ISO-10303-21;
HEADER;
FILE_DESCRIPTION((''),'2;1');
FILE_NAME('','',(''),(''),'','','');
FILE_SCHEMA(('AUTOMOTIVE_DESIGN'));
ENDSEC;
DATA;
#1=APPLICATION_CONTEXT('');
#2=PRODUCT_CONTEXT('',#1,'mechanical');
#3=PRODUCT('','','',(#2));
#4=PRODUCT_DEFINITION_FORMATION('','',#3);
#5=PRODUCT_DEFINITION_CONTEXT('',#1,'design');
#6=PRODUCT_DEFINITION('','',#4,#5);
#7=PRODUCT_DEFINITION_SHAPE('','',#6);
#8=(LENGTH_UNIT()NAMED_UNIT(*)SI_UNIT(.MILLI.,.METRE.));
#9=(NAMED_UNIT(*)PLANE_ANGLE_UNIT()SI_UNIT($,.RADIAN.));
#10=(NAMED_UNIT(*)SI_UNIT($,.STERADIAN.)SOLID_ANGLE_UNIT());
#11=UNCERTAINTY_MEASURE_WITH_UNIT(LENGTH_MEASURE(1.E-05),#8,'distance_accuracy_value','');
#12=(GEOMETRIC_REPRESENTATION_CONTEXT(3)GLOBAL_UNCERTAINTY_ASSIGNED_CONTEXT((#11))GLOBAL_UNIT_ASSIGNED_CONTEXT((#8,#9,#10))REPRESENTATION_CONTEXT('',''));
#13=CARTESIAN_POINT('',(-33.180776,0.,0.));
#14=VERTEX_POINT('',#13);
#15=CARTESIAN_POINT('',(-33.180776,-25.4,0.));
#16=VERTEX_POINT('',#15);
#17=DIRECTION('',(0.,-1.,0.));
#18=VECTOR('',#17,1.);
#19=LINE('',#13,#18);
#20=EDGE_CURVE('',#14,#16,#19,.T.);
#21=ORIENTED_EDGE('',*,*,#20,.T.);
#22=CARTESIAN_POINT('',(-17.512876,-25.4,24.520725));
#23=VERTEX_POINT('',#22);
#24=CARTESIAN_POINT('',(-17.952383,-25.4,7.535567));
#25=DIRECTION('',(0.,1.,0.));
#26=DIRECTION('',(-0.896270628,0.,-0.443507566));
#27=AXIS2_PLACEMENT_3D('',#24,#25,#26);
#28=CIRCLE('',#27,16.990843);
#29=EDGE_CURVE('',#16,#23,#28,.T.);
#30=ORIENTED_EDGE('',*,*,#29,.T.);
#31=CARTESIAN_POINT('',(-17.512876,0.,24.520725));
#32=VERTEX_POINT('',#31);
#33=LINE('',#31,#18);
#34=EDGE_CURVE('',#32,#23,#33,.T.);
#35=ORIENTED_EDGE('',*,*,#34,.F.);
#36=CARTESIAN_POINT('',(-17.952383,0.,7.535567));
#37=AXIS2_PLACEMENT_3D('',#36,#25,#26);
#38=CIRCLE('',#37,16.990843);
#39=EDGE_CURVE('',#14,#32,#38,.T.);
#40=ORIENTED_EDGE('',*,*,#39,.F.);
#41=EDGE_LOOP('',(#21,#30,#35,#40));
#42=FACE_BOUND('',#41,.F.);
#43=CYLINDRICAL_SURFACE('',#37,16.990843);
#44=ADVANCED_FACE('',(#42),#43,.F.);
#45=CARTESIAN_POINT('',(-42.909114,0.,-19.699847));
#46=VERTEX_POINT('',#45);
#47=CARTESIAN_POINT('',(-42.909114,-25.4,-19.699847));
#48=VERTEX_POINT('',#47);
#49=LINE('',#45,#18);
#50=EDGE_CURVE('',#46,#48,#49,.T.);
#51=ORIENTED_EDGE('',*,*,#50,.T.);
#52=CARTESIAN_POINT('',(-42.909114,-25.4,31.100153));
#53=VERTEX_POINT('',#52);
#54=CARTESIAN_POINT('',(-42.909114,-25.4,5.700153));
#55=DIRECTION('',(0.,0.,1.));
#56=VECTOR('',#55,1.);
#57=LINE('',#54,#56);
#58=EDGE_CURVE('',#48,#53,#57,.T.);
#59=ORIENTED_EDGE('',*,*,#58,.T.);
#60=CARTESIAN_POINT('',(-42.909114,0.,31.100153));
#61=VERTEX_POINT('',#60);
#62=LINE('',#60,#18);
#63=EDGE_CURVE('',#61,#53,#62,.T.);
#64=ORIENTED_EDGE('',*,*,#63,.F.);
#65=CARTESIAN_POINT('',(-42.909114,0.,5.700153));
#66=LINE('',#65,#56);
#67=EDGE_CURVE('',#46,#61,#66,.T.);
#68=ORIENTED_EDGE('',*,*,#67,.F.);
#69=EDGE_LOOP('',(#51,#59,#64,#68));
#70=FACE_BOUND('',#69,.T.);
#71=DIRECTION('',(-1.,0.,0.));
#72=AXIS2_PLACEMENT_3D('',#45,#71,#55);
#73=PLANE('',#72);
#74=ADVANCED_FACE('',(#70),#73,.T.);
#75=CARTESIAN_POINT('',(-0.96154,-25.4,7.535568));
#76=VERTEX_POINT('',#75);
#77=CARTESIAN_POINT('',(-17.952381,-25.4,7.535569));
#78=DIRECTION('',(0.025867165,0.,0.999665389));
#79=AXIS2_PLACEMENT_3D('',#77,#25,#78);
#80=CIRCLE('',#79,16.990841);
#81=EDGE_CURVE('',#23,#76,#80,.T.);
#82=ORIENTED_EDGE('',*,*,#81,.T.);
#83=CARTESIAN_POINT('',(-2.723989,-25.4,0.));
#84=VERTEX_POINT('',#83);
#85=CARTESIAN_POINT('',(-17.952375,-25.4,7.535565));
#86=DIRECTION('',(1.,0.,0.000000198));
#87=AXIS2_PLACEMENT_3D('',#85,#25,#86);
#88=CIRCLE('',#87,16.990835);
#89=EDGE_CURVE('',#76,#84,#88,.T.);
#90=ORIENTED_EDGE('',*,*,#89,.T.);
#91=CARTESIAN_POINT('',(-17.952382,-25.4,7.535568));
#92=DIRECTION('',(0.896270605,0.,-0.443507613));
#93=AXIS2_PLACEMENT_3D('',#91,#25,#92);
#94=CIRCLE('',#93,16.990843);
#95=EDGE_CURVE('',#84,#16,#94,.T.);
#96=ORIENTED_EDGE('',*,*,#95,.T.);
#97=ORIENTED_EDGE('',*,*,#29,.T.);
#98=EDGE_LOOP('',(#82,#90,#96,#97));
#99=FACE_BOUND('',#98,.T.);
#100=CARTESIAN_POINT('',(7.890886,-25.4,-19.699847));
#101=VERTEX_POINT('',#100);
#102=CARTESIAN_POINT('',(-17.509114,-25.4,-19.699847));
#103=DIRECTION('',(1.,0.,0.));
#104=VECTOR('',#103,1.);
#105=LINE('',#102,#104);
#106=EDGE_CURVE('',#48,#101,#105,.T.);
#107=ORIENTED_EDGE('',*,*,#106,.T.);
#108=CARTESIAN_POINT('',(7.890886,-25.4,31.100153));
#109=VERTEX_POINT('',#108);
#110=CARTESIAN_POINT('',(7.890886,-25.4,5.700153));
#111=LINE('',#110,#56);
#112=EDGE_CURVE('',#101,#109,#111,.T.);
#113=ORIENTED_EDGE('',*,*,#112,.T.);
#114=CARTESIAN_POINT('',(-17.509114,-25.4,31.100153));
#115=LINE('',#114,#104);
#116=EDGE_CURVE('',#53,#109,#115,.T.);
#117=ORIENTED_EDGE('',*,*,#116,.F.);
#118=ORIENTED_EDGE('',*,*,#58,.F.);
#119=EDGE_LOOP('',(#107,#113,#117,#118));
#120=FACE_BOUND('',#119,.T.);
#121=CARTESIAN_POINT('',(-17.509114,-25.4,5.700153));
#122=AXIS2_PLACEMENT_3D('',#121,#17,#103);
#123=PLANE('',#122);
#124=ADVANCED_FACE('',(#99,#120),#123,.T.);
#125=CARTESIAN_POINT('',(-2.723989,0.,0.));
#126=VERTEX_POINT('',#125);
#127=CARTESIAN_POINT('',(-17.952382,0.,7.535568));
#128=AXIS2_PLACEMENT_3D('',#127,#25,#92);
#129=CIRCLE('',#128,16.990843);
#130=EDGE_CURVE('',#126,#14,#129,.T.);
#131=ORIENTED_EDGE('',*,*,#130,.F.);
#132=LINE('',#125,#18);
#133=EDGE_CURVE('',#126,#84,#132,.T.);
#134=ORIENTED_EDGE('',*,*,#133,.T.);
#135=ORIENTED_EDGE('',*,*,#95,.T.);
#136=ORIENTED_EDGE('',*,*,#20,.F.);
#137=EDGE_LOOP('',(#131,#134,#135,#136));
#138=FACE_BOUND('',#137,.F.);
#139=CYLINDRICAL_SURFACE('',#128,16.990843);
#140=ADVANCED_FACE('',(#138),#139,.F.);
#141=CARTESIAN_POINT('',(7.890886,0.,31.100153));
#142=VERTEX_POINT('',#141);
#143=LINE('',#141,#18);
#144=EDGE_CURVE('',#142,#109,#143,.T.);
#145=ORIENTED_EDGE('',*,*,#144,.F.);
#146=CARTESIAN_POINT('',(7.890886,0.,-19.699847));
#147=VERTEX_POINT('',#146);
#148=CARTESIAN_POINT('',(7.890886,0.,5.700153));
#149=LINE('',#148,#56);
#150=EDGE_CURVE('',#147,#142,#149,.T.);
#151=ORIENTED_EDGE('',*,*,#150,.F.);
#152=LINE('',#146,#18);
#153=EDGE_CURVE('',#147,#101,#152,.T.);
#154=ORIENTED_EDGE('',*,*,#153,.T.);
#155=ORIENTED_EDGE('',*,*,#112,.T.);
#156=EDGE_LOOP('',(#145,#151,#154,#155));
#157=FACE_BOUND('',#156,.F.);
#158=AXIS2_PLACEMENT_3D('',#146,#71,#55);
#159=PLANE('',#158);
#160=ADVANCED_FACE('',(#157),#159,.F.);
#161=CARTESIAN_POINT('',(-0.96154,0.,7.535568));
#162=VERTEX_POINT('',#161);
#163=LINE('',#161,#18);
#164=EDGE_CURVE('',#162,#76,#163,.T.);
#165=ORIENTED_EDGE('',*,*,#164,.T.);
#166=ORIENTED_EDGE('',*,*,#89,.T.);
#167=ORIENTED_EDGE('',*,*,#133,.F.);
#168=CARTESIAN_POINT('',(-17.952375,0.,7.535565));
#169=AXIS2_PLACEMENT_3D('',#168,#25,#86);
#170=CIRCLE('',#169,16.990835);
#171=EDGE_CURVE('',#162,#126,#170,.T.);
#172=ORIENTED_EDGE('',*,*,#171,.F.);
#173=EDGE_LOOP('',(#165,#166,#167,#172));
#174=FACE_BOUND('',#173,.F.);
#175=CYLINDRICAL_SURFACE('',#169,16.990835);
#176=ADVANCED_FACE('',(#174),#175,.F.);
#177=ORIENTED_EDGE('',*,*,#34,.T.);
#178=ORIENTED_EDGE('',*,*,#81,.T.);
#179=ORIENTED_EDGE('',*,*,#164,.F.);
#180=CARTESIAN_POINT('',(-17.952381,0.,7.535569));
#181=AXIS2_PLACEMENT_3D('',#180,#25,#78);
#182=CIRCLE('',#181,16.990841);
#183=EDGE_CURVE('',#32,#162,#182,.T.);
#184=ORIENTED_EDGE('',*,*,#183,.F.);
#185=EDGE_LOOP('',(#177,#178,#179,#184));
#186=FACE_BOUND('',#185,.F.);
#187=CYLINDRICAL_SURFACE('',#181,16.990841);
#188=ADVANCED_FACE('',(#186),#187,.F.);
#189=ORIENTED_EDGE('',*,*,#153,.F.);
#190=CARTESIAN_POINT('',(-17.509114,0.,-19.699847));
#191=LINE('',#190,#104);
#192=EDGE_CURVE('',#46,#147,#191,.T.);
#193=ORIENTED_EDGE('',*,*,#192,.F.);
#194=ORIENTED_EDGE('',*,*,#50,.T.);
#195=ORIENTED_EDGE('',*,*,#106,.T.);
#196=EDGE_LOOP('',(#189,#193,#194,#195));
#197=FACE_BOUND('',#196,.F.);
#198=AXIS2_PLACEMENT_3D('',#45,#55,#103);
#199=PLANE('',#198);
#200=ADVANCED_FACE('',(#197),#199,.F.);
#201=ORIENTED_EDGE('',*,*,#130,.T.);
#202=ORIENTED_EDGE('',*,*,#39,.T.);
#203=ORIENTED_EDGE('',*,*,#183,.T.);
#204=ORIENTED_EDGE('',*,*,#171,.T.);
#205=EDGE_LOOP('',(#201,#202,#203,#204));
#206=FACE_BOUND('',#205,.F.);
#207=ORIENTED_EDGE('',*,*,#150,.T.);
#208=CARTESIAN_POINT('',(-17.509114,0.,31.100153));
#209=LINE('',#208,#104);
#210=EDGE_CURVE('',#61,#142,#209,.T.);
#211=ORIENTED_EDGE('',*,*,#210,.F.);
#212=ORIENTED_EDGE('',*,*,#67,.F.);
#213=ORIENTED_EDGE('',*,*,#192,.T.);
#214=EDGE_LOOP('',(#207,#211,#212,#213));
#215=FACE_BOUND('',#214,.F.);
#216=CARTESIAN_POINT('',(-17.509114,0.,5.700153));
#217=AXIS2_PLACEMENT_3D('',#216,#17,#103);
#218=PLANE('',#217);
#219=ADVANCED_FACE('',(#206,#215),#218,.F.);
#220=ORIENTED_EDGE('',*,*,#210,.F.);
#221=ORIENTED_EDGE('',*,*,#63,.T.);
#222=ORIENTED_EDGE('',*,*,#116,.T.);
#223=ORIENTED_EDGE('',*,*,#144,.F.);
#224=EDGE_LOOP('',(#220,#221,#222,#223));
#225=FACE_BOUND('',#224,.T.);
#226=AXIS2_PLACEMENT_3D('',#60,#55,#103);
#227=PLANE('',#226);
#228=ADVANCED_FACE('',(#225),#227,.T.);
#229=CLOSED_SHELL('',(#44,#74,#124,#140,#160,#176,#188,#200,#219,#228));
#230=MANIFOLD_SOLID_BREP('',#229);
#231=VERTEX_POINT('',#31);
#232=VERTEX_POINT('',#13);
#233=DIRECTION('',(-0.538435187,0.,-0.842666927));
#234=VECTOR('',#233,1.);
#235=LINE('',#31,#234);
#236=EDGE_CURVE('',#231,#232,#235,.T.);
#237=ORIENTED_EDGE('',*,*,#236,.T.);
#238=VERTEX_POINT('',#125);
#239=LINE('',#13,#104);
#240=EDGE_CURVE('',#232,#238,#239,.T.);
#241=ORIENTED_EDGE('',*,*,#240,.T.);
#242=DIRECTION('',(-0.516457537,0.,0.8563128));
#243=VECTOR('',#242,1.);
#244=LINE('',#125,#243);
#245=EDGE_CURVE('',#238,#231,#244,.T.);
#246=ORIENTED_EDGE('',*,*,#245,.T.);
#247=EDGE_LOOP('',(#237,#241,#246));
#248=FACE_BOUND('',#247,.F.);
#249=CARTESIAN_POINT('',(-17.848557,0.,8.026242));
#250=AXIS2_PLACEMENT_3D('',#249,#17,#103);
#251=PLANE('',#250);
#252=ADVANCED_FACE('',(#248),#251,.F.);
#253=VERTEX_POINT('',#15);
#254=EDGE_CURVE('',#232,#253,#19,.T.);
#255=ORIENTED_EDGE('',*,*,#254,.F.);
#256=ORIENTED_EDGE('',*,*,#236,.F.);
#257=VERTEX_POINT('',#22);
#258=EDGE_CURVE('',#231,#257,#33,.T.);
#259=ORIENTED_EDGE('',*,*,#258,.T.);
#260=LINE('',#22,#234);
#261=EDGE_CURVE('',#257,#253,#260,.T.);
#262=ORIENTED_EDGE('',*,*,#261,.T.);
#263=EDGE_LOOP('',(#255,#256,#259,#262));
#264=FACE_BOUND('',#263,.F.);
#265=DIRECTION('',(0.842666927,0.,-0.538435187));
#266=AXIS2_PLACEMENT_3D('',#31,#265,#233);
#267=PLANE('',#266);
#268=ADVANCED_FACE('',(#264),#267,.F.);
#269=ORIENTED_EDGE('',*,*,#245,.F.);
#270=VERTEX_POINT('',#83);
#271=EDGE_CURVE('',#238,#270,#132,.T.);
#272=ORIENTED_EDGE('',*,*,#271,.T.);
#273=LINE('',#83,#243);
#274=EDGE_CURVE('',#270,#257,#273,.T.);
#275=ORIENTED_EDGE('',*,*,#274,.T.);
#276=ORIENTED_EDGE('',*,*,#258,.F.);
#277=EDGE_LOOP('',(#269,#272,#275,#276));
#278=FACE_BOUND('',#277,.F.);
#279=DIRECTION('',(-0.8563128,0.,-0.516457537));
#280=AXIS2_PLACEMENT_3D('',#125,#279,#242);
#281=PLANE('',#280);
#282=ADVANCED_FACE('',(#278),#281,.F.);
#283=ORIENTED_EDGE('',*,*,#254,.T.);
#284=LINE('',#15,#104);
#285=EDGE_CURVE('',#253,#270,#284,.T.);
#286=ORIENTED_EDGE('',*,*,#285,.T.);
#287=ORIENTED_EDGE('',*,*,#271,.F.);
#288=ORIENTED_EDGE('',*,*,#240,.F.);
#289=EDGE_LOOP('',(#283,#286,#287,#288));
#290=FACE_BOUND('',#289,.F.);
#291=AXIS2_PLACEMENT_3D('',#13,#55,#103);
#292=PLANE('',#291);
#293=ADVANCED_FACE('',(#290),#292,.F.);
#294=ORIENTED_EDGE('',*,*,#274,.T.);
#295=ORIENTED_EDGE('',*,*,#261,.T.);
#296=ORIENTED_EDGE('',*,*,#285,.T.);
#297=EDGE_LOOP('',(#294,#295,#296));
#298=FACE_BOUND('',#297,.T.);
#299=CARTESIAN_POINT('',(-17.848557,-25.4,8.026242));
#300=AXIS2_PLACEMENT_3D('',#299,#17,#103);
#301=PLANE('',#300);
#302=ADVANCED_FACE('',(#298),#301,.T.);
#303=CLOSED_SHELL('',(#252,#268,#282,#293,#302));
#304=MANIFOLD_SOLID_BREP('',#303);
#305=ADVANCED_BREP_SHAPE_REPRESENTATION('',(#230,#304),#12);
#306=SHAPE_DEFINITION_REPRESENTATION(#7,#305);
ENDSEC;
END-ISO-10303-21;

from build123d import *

# Parameters (mm, degrees)
F0_W     = 50.8
F0_H     = 50.8
F1_DEPTH = 25.4
F2_DEPTH = 25.4


with BuildPart() as f1:
    # F0 (on Front) → F1 (new body)
    with BuildSketch(Plane.XZ):
        with Locations((-17.509114, 5.700153)):
            Rectangle(F0_W, F0_H)
        with BuildLine():
            ThreePointArc((-17.512876, 24.520725), (-5.783645, 19.393501), (-0.96154, 7.535568))
            ThreePointArc((-0.96154, 7.535568), (-1.408018, 3.666104), (-2.723989, 0))
            ThreePointArc((-2.723989, 0), (-17.952383, -9.455275), (-33.180776, 0))
            ThreePointArc((-33.180776, 0), (-32.270004, 16.684035), (-17.512876, 24.520725))
        make_face(mode=Mode.SUBTRACT)
    extrude(amount=F1_DEPTH)


with BuildPart() as f2:
    # F0 (on Front) → F2 (new body)
    with BuildSketch(Plane.XZ):
        Polygon((-2.723989, 0), (-17.512876, 24.520725), (-33.180776, 0), align=None)
    extrude(amount=F2_DEPTH)


solid = Compound([f1.part, f2.part])
